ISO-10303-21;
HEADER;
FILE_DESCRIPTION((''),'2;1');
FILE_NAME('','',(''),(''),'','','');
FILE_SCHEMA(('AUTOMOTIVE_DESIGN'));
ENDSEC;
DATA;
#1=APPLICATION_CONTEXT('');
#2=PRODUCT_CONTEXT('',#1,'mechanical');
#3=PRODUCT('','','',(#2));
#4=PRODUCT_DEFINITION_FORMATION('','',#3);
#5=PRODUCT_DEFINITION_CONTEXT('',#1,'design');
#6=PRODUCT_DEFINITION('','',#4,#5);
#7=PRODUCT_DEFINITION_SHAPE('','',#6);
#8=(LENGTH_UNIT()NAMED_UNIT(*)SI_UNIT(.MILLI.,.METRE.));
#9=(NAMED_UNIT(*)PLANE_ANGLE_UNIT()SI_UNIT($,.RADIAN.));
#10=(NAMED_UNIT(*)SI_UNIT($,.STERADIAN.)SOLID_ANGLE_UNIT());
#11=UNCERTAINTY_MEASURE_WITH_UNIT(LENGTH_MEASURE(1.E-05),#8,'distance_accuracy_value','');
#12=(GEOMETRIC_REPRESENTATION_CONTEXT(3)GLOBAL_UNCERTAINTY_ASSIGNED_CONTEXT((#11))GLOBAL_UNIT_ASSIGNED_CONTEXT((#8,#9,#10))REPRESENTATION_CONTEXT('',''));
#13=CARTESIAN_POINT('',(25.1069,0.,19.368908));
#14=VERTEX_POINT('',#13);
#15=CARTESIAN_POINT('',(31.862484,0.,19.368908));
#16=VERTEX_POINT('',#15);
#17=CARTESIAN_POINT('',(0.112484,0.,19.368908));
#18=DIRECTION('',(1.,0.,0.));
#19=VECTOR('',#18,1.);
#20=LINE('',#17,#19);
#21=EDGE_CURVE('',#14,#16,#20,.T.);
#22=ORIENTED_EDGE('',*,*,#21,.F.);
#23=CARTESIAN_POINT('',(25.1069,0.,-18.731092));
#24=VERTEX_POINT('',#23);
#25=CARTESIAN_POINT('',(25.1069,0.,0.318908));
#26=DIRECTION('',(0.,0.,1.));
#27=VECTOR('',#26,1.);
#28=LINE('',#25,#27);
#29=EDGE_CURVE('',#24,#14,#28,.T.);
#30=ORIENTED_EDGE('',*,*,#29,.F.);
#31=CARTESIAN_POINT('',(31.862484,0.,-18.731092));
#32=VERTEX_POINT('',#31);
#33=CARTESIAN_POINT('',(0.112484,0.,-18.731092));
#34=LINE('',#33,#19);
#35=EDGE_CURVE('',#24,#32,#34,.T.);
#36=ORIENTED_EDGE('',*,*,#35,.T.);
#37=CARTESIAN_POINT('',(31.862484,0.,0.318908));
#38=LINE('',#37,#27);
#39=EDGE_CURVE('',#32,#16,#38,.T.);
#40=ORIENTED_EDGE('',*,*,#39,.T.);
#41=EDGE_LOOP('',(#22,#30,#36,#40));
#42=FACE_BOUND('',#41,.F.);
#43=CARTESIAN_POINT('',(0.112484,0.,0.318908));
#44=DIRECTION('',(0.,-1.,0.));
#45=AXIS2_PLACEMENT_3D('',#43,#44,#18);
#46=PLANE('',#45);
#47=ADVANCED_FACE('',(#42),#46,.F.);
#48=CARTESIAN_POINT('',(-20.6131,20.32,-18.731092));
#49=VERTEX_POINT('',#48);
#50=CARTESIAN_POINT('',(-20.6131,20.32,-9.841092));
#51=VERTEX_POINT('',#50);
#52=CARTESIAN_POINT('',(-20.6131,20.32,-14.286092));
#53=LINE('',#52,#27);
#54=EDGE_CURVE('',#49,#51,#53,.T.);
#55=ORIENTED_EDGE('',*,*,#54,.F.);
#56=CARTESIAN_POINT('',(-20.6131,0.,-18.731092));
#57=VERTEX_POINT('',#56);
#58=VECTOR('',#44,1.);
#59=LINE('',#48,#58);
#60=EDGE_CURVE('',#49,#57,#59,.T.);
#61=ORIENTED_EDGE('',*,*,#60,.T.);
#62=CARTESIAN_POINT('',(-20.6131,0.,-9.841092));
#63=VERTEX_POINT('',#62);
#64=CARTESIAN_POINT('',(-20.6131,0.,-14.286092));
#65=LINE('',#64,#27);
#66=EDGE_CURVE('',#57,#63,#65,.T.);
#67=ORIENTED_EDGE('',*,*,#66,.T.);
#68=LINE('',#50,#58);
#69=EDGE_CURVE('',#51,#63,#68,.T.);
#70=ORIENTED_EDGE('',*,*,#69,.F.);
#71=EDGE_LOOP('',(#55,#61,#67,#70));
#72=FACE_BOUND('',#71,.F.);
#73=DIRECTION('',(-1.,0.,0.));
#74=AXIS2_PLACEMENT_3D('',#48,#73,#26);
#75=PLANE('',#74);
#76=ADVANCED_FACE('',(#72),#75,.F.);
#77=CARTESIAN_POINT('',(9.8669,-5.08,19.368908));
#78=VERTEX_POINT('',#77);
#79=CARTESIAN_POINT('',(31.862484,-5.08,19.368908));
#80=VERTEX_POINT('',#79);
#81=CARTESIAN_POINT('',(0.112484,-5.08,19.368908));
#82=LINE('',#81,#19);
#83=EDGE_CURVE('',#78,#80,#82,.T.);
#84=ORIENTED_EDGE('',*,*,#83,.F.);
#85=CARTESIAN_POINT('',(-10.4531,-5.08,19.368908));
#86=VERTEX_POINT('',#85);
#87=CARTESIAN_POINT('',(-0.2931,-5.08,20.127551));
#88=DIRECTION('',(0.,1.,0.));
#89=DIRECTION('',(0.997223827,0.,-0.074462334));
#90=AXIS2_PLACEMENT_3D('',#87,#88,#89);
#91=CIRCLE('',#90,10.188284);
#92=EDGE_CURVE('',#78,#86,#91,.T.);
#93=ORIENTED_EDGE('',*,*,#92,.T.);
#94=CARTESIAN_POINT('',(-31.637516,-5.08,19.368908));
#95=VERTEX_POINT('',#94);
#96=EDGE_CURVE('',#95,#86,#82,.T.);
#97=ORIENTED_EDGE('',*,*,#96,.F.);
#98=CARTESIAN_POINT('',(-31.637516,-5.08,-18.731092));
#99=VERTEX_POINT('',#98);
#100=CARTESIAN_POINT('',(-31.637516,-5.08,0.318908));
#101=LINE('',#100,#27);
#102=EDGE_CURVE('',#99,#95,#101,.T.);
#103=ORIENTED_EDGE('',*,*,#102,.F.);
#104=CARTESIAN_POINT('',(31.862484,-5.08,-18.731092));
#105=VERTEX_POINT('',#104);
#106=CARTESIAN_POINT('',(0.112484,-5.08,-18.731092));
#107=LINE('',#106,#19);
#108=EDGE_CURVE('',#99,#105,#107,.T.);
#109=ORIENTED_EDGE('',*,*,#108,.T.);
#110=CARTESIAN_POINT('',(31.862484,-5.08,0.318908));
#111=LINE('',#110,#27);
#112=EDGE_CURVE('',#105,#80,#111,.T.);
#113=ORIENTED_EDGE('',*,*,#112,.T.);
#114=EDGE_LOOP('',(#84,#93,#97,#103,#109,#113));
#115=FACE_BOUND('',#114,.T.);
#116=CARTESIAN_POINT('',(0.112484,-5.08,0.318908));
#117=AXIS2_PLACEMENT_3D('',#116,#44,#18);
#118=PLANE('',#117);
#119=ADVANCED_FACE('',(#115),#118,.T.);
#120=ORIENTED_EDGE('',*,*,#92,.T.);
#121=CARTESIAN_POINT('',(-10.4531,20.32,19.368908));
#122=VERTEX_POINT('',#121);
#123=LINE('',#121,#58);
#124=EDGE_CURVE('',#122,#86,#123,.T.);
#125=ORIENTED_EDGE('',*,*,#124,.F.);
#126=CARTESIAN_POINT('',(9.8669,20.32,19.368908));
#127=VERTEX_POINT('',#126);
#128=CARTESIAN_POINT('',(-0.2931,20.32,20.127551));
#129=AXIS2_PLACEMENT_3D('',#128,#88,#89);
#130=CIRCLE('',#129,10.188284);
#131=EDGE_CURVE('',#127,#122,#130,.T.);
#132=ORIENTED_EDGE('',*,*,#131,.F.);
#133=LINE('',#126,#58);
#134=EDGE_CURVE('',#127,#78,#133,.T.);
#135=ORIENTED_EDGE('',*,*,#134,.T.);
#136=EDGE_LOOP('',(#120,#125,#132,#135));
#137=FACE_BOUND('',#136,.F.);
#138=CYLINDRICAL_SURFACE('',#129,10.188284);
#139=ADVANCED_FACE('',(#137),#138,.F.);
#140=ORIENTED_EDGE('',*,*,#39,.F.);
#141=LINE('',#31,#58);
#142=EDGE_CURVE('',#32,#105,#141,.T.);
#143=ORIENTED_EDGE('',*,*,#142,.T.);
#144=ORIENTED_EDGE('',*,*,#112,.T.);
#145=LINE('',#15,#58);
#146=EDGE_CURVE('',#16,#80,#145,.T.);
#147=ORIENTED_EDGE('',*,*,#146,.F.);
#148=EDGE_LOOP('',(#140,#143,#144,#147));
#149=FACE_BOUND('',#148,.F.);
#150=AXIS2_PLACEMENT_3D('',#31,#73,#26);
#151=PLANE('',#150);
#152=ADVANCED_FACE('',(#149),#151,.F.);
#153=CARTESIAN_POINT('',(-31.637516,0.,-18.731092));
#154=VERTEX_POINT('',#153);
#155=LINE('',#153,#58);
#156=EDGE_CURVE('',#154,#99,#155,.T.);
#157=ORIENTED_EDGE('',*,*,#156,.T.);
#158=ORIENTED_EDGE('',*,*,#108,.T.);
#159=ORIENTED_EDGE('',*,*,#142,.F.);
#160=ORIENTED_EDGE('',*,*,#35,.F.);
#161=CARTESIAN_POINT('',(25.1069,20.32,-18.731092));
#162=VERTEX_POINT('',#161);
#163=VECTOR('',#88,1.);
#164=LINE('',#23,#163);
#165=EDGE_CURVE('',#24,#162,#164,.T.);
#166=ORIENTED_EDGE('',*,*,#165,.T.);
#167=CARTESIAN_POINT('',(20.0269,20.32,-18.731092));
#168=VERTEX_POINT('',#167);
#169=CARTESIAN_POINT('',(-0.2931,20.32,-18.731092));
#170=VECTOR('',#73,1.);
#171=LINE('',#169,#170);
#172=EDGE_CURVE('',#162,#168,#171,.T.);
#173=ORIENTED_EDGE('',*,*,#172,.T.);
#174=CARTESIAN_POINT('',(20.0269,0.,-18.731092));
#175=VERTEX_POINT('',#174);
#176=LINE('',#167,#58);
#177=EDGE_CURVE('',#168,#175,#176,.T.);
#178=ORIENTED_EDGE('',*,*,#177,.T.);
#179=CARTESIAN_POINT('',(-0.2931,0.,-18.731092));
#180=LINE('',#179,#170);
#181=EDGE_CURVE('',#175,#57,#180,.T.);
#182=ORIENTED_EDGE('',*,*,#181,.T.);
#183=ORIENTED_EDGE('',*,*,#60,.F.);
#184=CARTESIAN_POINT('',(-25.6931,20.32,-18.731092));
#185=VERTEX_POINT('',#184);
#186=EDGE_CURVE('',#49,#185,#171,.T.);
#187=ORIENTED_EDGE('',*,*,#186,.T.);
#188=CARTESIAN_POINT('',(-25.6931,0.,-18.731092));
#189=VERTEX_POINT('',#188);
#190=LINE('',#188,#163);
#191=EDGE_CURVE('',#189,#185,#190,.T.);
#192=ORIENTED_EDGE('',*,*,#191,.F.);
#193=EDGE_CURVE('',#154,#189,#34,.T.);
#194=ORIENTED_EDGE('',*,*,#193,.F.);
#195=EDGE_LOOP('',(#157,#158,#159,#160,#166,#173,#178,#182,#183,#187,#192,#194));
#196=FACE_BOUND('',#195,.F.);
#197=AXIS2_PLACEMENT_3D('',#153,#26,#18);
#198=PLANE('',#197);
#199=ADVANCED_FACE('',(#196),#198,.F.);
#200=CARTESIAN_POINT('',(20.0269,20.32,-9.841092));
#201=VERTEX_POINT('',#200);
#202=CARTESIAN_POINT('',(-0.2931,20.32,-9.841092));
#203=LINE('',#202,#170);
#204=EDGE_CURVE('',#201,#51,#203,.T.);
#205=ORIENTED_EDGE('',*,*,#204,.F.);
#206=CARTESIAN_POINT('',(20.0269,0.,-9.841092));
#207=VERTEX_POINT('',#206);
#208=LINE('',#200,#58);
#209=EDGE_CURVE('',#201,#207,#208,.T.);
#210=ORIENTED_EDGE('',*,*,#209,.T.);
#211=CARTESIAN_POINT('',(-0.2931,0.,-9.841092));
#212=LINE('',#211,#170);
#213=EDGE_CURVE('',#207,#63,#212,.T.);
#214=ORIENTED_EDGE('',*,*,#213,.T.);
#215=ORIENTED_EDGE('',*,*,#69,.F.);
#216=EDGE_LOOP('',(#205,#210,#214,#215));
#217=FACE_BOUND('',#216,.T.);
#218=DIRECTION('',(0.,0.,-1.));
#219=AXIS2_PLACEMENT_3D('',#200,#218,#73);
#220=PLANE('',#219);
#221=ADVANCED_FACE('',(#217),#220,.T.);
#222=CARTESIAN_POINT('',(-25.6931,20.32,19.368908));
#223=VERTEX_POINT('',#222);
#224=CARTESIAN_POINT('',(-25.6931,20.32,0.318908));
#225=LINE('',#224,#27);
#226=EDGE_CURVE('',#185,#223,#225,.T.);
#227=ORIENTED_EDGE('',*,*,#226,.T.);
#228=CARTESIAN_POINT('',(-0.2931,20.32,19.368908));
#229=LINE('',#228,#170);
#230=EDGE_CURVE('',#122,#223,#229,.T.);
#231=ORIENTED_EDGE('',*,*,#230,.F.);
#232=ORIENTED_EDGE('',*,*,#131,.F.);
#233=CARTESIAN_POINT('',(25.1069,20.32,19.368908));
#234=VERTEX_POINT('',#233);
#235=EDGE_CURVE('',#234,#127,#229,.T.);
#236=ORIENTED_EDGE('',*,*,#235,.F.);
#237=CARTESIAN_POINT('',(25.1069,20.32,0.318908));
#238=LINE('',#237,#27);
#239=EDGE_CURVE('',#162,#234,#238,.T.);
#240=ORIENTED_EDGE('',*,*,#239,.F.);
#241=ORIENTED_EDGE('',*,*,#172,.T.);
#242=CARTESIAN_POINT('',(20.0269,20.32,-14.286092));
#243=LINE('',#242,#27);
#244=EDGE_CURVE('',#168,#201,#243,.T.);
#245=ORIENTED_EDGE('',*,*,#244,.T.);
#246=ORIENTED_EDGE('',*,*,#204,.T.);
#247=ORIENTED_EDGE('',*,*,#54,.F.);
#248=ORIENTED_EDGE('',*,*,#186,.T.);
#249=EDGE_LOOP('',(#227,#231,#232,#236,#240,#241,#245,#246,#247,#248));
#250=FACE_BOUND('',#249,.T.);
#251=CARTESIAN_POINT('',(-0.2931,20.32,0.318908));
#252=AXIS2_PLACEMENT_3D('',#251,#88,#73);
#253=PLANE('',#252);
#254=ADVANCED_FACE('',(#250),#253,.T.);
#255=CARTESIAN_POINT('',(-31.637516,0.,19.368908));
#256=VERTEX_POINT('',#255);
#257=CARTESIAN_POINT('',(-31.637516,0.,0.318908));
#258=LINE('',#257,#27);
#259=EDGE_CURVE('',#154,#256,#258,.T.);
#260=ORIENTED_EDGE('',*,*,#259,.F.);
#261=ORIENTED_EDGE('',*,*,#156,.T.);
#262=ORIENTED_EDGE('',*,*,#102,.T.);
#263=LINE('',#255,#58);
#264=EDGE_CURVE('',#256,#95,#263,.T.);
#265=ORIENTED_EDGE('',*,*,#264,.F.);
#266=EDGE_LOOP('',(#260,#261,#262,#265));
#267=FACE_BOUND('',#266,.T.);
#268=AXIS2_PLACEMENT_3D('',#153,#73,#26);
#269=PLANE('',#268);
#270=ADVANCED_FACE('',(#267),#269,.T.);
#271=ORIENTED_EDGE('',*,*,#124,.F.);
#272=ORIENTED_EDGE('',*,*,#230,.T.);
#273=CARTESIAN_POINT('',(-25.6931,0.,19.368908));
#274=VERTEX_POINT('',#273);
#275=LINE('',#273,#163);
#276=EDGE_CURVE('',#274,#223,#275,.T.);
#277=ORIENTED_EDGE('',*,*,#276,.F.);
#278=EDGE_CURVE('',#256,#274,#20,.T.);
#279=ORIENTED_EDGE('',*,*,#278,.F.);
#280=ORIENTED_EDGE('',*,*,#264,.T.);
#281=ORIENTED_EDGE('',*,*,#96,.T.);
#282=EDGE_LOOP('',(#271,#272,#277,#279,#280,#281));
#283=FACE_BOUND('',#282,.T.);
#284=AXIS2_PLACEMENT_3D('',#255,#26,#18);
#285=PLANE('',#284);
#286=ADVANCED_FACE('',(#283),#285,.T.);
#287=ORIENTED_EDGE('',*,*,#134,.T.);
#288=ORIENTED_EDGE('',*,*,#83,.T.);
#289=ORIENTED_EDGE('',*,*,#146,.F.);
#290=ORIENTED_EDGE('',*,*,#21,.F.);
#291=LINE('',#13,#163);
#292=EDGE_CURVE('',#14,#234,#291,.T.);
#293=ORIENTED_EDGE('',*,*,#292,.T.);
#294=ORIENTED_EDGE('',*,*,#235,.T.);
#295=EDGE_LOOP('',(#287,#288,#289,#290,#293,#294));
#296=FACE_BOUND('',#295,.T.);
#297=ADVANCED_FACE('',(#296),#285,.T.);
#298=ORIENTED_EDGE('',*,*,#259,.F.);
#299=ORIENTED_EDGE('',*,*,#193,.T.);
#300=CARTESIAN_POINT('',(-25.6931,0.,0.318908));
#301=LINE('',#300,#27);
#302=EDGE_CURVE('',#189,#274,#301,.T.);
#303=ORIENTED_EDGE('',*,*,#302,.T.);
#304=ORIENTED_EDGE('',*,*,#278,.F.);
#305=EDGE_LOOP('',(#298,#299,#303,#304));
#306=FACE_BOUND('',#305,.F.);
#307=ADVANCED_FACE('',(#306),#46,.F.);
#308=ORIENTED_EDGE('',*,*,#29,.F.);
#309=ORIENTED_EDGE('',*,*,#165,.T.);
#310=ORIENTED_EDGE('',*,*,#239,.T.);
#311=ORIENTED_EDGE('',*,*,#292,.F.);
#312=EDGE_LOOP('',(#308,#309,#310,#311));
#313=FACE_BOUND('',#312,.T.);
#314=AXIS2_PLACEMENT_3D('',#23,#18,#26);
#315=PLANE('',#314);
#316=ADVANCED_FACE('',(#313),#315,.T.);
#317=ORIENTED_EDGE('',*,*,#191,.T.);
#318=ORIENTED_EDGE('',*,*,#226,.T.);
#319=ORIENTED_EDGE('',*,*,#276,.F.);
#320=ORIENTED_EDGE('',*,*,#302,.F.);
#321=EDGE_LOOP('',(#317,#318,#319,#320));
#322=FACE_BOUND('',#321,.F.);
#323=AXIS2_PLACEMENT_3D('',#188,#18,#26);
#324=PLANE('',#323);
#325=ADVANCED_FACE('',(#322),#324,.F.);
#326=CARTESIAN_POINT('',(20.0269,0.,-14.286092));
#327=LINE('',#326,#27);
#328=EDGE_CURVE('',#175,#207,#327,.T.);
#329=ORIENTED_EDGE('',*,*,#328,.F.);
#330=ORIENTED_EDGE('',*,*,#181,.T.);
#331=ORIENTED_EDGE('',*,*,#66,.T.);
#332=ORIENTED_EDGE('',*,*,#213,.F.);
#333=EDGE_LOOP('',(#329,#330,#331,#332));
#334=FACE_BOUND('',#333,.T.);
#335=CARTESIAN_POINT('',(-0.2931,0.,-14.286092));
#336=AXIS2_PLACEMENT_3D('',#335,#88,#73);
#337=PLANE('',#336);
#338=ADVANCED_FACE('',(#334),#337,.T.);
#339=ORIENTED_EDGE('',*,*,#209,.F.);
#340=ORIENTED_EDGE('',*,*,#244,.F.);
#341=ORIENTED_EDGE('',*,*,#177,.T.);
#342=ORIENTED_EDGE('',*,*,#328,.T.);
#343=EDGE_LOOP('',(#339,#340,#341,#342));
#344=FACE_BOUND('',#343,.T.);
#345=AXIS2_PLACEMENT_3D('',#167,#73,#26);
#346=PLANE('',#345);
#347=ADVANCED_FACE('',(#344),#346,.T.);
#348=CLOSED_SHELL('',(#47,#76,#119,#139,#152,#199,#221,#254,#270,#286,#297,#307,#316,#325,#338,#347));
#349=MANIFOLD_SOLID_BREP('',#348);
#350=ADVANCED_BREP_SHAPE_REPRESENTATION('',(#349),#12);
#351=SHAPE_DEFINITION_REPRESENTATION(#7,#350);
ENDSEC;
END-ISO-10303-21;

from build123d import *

# Parameters (mm, degrees)
F0_W     = 63.5
F0_H     = 38.1
F1_DEPTH = 5.08
F2_W     = 50.8
F2_H     = 38.1
F3_DEPTH = 20.32
F4_W     = 40.64
F4_H     = 8.89
F5_DEPTH = 20.32
F7_DEPTH = 50.8


with BuildPart() as f1:
    # F0 (on Front) → F1 (new body)
    with BuildSketch(Plane.XZ):
        with Locations((0.112484, 0.318908)):
            Rectangle(F0_W, F0_H)
    extrude(amount=F1_DEPTH)

    # F2 (on face) → F3 (join)
    with BuildSketch(Plane(origin=(0, 0, 0), x_dir=(-1, 0, 0), z_dir=(0, 1, 0))):
        with Locations((0.2931, 0.318908)):
            Rectangle(F2_W, F2_H)
    extrude(amount=F3_DEPTH)

    # F4 (on face) → F5 (cut)
    with BuildSketch(Plane(origin=(0, 20.32, 0), x_dir=(-1, 0, 0), z_dir=(0, 1, 0))):
        with Locations((0.2931, -14.286092)):
            Rectangle(F4_W, F4_H)
    extrude(amount=-F5_DEPTH, mode=Mode.SUBTRACT)

    # F6 (on face) → F7 (cut)
    with BuildSketch(Plane(origin=(0, 20.32, 0), x_dir=(-1, 0, 0), z_dir=(0, 1, 0))):
        with BuildLine():
            Line((10.4531, 19.368908), (-9.8669, 19.368908))
            ThreePointArc((-9.8669, 19.368908), (0.2931, 9.939267), (10.4531, 19.368908))
        make_face()
    extrude(amount=-F7_DEPTH, mode=Mode.SUBTRACT)


solid = f1.part
